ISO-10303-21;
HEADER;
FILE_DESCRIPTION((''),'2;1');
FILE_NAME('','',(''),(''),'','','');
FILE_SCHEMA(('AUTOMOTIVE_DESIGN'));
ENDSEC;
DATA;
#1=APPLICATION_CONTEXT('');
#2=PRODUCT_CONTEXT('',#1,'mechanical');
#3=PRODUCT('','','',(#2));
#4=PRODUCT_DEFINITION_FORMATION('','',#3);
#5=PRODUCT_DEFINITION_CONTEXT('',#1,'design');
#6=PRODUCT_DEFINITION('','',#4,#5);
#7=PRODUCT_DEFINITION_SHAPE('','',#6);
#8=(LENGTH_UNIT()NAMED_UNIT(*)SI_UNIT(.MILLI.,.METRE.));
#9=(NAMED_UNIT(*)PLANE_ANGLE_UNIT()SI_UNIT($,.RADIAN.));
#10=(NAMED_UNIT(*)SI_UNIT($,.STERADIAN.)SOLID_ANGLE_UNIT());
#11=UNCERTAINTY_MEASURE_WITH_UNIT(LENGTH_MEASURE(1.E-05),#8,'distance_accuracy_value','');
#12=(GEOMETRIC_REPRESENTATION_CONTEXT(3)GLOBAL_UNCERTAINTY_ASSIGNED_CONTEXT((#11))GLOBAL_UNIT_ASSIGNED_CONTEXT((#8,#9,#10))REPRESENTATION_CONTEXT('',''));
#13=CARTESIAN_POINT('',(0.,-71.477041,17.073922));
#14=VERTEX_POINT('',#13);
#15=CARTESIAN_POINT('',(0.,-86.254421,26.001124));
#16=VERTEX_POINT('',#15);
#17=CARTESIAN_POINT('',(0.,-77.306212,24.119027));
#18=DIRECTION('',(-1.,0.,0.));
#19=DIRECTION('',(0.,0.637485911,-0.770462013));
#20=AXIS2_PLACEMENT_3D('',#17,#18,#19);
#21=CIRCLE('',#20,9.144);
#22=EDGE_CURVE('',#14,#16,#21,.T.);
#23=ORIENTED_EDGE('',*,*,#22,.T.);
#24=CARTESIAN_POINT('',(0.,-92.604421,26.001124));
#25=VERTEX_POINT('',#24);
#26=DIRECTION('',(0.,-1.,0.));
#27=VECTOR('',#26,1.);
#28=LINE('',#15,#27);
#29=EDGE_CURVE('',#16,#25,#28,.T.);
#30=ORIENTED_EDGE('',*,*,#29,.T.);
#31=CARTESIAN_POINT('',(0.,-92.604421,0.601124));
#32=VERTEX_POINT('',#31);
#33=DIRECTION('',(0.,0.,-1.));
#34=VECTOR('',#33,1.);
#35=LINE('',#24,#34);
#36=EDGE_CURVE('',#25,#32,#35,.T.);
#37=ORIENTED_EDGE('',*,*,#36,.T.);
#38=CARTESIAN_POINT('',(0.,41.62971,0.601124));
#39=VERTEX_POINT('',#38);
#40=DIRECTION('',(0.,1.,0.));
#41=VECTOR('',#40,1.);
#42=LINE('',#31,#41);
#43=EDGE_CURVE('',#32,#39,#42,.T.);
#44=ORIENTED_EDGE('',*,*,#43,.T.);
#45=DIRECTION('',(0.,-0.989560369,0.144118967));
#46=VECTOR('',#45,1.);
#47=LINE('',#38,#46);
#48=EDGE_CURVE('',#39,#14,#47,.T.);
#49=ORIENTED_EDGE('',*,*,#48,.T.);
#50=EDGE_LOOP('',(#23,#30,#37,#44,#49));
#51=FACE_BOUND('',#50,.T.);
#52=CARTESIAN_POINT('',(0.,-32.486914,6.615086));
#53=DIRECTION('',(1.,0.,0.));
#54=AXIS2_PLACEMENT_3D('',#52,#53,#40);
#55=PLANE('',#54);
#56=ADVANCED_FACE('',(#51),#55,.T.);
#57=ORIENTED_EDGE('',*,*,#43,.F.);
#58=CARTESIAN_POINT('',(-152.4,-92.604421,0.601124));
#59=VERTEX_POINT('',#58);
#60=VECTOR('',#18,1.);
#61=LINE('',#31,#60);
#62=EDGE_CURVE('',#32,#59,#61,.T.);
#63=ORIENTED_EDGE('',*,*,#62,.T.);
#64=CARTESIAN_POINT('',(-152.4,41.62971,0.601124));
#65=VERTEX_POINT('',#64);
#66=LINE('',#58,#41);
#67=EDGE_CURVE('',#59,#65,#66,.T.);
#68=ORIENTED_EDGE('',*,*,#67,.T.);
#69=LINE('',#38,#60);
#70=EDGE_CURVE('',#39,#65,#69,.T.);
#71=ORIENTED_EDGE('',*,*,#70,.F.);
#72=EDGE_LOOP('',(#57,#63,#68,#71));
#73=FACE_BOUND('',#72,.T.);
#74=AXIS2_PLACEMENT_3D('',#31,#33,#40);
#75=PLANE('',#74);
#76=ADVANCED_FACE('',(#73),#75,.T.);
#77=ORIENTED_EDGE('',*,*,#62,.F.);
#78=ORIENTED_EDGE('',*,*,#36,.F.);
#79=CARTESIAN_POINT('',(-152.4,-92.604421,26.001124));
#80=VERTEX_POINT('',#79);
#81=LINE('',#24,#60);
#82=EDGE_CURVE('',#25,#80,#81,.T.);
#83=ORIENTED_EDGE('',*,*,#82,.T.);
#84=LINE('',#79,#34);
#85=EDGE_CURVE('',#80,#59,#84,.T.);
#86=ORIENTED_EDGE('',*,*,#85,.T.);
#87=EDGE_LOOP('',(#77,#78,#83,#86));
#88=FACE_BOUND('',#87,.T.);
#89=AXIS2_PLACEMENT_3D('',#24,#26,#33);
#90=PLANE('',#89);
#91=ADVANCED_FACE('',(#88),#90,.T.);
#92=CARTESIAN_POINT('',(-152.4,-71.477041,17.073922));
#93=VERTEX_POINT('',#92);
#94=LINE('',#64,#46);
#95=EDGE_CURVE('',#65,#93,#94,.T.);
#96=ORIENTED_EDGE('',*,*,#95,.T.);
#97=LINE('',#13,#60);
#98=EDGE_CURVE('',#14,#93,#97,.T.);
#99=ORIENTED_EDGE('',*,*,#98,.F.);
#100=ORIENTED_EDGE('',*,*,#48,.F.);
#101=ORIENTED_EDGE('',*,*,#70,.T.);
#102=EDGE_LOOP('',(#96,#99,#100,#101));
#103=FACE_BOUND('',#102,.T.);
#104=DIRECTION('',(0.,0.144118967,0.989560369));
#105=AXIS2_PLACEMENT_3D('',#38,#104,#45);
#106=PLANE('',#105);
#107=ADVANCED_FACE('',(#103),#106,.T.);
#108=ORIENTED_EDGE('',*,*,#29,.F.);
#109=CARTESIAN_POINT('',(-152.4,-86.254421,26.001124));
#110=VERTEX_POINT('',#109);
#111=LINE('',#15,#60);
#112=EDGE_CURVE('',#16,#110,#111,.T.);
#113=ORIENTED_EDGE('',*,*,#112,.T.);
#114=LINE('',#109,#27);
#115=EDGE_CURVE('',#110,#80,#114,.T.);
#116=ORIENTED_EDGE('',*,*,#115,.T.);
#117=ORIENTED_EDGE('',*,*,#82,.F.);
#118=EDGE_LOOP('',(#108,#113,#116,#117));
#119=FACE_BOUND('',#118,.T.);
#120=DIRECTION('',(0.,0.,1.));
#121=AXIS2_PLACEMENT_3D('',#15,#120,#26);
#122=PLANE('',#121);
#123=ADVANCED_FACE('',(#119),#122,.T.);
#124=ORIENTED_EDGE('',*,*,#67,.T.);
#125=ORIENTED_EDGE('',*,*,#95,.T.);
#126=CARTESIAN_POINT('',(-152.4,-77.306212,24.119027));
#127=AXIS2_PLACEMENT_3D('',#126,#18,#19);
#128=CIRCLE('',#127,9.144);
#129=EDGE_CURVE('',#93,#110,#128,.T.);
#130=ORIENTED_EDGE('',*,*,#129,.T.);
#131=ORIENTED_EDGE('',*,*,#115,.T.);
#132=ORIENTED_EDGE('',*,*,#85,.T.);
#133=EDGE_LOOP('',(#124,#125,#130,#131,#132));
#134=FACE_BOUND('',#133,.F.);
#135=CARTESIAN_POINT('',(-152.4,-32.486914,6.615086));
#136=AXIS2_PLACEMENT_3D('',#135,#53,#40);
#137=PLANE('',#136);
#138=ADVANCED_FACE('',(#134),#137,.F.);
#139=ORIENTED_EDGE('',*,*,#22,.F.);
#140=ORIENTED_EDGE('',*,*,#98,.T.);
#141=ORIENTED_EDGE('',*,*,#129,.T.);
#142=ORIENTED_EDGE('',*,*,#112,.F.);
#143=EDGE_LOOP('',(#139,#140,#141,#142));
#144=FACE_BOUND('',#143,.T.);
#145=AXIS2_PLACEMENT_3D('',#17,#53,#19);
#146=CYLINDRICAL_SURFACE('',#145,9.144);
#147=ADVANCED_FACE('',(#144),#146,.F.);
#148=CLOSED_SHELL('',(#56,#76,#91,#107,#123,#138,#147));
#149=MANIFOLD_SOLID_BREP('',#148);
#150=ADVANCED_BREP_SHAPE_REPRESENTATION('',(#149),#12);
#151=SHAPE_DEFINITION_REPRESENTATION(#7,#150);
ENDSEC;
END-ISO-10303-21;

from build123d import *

# Parameters (mm, degrees)
F1_DEPTH = 152.4


with BuildPart() as f1:
    # F0 (on Right) → F1 (new body)
    with BuildSketch(Plane.YZ):
        with BuildLine():
            Line((-92.604421, 0.601124), (-90.45029, 0.601124))
            Line((-90.45029, 0.601124), (41.62971, 0.601124))
            Line((41.62971, 0.601124), (-71.477041, 17.073922))
            ThreePointArc((-71.477041, 17.073922), (-82.034408, 16.292348), (-86.254421, 26.001124))
            Line((-86.254421, 26.001124), (-92.604421, 26.001124))
            Line((-92.604421, 26.001124), (-92.604421, 0.601124))
        make_face()
    extrude(amount=-F1_DEPTH)


solid = f1.part
